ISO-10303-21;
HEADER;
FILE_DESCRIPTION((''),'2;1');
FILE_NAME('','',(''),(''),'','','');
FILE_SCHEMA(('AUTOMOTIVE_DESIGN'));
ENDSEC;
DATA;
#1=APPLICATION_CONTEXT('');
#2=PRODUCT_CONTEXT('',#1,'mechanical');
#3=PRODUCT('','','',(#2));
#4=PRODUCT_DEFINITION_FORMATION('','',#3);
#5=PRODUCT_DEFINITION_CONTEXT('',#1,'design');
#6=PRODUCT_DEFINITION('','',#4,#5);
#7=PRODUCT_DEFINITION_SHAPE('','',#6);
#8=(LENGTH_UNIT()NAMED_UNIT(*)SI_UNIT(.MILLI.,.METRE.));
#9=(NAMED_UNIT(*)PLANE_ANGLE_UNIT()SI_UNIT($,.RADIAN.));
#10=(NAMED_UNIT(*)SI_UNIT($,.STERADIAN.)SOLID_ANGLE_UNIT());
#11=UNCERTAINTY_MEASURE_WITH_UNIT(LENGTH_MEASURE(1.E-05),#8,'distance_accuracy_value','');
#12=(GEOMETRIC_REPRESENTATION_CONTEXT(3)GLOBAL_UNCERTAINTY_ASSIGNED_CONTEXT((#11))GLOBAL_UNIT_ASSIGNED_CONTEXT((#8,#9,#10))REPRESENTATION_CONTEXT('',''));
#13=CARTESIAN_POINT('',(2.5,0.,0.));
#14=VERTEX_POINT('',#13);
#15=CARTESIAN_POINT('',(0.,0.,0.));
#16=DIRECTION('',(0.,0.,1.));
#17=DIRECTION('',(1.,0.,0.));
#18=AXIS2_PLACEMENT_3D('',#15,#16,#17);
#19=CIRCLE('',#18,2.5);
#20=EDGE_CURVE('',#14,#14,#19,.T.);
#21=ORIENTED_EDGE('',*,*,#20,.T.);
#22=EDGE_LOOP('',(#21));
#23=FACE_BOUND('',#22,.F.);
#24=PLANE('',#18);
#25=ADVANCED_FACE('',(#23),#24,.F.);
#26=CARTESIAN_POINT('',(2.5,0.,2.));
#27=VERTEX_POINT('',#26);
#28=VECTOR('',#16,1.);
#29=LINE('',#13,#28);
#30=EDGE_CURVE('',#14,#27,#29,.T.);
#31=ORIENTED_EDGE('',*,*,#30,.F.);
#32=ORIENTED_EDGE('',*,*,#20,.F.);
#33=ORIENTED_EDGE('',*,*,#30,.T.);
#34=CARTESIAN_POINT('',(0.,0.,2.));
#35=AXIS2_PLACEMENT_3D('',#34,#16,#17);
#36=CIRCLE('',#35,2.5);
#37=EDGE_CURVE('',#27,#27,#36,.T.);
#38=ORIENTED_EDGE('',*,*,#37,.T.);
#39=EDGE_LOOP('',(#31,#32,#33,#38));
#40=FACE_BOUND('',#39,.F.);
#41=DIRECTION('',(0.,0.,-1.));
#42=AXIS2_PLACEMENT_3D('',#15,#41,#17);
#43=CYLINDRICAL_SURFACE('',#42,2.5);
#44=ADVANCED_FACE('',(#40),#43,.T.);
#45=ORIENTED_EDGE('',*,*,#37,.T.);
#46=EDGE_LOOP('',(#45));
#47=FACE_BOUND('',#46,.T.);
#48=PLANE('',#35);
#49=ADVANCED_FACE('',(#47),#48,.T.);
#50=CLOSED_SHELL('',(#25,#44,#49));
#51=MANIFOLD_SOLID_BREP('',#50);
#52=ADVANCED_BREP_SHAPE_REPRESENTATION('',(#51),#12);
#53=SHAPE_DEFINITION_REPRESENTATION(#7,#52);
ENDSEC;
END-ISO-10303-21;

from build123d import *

# Parameters (mm, degrees)
SKETCH_R  = 2.5
PAD_DEPTH = 2


with BuildPart() as part:
    # Sketch → Pad (new body)
    with BuildSketch(Plane.XY):
        Circle(SKETCH_R)
    extrude(amount=PAD_DEPTH)


solid = part.part
